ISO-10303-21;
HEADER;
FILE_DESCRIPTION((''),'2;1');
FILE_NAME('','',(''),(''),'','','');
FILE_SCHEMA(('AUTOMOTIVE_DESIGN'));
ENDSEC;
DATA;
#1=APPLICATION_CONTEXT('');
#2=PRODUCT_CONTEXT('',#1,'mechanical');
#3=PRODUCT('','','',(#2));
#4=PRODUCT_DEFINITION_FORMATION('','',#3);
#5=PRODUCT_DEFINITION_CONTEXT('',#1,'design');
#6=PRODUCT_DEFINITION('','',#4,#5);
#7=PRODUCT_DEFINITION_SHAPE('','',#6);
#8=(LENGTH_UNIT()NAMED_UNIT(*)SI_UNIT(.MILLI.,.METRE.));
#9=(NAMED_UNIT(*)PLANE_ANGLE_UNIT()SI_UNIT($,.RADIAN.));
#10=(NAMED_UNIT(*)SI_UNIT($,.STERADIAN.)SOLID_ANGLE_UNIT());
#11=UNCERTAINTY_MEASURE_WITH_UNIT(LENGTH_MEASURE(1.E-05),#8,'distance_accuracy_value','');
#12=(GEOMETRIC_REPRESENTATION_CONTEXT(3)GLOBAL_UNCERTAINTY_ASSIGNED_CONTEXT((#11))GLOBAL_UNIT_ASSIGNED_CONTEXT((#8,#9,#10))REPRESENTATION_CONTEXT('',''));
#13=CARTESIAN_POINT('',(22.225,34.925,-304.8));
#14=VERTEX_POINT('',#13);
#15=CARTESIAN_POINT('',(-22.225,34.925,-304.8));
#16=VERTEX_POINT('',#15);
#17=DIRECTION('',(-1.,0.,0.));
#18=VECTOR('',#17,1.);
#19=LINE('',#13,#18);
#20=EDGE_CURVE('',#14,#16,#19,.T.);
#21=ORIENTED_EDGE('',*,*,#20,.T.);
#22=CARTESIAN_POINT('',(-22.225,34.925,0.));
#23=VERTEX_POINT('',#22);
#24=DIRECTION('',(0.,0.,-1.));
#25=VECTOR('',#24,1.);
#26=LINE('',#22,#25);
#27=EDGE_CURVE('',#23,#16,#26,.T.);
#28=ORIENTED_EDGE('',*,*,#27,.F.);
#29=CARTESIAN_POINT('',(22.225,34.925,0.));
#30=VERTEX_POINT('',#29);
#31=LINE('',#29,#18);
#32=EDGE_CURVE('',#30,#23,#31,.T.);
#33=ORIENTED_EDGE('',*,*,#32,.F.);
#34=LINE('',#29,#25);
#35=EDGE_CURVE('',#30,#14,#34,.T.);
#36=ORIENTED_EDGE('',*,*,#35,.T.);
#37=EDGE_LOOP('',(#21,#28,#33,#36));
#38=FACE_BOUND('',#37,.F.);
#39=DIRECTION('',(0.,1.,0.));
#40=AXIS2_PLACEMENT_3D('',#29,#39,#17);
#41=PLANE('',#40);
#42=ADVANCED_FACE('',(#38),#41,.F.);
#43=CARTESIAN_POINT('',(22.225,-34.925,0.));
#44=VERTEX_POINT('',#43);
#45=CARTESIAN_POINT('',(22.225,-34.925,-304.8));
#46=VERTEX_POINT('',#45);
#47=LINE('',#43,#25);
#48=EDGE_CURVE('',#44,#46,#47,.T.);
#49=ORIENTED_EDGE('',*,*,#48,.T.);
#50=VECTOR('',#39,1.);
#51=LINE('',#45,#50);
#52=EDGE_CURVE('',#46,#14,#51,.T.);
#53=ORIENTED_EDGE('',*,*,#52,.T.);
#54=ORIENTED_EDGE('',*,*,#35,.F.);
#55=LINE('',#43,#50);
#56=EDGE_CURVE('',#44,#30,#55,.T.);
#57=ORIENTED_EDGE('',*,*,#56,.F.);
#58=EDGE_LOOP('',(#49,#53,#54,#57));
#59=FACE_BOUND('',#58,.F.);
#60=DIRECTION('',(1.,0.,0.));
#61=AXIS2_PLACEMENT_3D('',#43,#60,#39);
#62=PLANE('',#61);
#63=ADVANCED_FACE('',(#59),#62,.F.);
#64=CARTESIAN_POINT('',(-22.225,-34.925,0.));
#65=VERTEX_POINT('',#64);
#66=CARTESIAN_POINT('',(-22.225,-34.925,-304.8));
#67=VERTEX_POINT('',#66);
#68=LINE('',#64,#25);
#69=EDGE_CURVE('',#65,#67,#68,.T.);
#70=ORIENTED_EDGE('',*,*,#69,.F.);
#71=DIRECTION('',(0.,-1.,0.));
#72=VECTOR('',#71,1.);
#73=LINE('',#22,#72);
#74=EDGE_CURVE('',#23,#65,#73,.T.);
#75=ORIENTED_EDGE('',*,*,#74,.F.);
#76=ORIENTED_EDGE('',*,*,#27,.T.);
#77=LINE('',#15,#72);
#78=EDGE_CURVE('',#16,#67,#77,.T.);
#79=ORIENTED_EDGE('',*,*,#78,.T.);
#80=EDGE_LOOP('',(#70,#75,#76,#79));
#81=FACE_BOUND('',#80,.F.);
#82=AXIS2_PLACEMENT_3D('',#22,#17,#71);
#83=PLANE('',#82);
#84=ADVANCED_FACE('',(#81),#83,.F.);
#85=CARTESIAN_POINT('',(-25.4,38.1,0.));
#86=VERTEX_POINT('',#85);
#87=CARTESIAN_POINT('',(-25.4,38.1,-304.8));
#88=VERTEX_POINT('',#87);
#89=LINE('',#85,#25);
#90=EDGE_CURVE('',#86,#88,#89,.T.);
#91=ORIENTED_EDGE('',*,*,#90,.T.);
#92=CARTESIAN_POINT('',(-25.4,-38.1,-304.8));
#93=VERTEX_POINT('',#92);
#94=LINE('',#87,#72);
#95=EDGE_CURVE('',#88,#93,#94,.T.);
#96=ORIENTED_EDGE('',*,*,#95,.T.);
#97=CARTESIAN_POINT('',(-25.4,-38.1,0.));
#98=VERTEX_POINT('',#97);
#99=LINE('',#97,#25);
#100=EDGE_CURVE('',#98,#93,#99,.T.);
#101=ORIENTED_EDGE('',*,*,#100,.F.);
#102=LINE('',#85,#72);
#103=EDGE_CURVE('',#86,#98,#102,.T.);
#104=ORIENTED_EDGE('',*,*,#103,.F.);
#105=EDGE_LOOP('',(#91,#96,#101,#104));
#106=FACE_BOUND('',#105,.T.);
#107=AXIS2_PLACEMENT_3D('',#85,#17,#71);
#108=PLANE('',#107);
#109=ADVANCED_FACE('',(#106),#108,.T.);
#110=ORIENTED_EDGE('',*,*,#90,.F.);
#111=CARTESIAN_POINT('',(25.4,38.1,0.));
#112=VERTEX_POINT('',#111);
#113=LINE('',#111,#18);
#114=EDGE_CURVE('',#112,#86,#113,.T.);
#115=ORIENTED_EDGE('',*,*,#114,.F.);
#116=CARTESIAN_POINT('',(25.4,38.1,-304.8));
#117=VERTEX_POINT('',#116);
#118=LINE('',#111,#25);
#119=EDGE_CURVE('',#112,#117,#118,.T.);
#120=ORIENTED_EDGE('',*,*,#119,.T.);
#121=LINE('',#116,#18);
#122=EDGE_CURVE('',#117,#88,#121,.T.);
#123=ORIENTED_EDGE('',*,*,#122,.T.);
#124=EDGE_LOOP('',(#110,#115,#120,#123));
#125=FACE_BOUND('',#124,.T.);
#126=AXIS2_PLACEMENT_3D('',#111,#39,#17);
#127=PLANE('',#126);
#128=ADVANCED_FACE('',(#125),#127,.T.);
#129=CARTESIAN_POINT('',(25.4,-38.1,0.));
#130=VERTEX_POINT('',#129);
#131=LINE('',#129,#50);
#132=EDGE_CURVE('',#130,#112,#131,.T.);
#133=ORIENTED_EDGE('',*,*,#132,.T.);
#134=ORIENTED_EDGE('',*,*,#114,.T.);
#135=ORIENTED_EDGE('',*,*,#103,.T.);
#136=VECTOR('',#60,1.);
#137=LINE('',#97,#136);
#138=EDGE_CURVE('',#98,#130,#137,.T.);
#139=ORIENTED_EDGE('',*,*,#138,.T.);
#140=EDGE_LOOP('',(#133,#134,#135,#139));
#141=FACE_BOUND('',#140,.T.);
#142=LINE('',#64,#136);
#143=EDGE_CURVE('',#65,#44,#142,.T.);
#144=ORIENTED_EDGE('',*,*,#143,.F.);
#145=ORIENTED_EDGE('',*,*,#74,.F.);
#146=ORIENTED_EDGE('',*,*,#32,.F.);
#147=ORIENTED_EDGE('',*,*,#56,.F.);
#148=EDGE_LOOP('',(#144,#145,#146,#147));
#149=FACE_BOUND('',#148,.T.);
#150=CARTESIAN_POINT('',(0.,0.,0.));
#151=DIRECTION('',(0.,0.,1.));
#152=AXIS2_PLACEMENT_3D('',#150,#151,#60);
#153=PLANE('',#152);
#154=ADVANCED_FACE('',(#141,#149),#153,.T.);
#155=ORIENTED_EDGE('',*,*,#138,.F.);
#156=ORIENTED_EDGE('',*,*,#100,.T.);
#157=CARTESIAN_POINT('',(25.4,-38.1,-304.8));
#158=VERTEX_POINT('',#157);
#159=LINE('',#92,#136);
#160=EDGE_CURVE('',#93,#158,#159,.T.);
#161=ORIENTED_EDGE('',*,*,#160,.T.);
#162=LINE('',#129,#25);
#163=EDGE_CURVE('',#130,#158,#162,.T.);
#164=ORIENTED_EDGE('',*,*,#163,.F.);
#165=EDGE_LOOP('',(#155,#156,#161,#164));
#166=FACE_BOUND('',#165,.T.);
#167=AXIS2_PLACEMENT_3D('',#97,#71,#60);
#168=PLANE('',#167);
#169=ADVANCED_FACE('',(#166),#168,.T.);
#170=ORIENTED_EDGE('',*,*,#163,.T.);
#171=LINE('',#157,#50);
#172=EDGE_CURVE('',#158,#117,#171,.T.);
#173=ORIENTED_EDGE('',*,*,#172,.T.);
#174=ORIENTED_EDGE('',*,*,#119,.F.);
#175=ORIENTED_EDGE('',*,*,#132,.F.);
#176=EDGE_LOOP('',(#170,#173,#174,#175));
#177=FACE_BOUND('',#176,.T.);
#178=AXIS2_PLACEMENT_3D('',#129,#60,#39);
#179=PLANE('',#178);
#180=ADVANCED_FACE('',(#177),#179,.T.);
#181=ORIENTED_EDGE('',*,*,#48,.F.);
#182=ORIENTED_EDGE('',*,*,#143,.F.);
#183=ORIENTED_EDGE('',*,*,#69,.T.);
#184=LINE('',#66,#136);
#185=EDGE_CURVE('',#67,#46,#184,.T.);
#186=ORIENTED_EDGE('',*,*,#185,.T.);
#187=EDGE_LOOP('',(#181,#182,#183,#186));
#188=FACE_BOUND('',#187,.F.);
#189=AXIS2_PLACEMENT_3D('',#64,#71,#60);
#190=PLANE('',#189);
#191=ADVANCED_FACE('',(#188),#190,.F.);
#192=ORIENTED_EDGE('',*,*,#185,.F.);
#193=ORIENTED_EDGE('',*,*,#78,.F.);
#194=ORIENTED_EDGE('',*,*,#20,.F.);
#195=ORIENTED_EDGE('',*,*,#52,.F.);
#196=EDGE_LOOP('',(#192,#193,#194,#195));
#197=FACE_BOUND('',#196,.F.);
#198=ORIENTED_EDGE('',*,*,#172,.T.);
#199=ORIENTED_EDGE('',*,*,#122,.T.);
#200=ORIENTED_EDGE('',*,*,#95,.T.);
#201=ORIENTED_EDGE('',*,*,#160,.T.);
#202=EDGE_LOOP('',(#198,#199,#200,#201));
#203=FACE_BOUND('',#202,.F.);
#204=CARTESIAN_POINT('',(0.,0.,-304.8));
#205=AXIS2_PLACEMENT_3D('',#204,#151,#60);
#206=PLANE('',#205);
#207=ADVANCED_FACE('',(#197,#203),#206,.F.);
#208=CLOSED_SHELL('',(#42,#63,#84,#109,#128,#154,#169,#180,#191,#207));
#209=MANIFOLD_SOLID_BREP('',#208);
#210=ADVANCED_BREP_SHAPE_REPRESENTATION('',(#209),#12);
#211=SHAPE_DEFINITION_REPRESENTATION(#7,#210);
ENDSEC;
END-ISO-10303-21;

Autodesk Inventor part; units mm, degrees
ref_plane "YZ Plane" through (0, 0, 0) normal (1, 0, 0) x (0, 1, 0)
ref_plane "XZ Plane" through (0, 0, 0) normal (0, 1, 0) x (-1, 0, 0)
ref_plane "XY Plane" through (0, 0, 0) normal (0, 0, 1) x (1, 0, 0)
sketch "Sketch1" plane through (0, 0, 0) normal (0, 0, 1) x (1, 0, 0)
  line L0 (-25.4, -38.1) -> (25.4, -38.1)
  line L1 (25.4, -38.1) -> (25.4, 38.1)
  line L2 (25.4, 38.1) -> (-25.4, 38.1)
  line L3 (-25.4, 38.1) -> (-25.4, -38.1)
  line L4 (-25.4, -38.1) -> (25.4, 38.1) construction
  line L5 (25.4, -38.1) -> (-25.4, 38.1) construction
  line L6 (-22.225, -34.925) -> (22.225, -34.925)
  line L7 (22.225, -34.925) -> (22.225, 34.925)
  line L8 (22.225, 34.925) -> (-22.225, 34.925)
  line L9 (-22.225, 34.925) -> (-22.225, -34.925)
  line L10 (-22.225, -34.925) -> (22.225, 34.925) construction
  line L11 (22.225, -34.925) -> (-22.225, 34.925) construction
  point P0 (0, 0)
  dimension "d0" = 50.8
  dimension "d1" = 76.2
  dimension "d2" = 3.175
  dimension "d3" = 3.175
extrude "Extrusion1" add sketch "Sketch1" against normal blind 304.8
properties part number "2x3x1_8_rectangularTubing" material "Aluminum 6061"
